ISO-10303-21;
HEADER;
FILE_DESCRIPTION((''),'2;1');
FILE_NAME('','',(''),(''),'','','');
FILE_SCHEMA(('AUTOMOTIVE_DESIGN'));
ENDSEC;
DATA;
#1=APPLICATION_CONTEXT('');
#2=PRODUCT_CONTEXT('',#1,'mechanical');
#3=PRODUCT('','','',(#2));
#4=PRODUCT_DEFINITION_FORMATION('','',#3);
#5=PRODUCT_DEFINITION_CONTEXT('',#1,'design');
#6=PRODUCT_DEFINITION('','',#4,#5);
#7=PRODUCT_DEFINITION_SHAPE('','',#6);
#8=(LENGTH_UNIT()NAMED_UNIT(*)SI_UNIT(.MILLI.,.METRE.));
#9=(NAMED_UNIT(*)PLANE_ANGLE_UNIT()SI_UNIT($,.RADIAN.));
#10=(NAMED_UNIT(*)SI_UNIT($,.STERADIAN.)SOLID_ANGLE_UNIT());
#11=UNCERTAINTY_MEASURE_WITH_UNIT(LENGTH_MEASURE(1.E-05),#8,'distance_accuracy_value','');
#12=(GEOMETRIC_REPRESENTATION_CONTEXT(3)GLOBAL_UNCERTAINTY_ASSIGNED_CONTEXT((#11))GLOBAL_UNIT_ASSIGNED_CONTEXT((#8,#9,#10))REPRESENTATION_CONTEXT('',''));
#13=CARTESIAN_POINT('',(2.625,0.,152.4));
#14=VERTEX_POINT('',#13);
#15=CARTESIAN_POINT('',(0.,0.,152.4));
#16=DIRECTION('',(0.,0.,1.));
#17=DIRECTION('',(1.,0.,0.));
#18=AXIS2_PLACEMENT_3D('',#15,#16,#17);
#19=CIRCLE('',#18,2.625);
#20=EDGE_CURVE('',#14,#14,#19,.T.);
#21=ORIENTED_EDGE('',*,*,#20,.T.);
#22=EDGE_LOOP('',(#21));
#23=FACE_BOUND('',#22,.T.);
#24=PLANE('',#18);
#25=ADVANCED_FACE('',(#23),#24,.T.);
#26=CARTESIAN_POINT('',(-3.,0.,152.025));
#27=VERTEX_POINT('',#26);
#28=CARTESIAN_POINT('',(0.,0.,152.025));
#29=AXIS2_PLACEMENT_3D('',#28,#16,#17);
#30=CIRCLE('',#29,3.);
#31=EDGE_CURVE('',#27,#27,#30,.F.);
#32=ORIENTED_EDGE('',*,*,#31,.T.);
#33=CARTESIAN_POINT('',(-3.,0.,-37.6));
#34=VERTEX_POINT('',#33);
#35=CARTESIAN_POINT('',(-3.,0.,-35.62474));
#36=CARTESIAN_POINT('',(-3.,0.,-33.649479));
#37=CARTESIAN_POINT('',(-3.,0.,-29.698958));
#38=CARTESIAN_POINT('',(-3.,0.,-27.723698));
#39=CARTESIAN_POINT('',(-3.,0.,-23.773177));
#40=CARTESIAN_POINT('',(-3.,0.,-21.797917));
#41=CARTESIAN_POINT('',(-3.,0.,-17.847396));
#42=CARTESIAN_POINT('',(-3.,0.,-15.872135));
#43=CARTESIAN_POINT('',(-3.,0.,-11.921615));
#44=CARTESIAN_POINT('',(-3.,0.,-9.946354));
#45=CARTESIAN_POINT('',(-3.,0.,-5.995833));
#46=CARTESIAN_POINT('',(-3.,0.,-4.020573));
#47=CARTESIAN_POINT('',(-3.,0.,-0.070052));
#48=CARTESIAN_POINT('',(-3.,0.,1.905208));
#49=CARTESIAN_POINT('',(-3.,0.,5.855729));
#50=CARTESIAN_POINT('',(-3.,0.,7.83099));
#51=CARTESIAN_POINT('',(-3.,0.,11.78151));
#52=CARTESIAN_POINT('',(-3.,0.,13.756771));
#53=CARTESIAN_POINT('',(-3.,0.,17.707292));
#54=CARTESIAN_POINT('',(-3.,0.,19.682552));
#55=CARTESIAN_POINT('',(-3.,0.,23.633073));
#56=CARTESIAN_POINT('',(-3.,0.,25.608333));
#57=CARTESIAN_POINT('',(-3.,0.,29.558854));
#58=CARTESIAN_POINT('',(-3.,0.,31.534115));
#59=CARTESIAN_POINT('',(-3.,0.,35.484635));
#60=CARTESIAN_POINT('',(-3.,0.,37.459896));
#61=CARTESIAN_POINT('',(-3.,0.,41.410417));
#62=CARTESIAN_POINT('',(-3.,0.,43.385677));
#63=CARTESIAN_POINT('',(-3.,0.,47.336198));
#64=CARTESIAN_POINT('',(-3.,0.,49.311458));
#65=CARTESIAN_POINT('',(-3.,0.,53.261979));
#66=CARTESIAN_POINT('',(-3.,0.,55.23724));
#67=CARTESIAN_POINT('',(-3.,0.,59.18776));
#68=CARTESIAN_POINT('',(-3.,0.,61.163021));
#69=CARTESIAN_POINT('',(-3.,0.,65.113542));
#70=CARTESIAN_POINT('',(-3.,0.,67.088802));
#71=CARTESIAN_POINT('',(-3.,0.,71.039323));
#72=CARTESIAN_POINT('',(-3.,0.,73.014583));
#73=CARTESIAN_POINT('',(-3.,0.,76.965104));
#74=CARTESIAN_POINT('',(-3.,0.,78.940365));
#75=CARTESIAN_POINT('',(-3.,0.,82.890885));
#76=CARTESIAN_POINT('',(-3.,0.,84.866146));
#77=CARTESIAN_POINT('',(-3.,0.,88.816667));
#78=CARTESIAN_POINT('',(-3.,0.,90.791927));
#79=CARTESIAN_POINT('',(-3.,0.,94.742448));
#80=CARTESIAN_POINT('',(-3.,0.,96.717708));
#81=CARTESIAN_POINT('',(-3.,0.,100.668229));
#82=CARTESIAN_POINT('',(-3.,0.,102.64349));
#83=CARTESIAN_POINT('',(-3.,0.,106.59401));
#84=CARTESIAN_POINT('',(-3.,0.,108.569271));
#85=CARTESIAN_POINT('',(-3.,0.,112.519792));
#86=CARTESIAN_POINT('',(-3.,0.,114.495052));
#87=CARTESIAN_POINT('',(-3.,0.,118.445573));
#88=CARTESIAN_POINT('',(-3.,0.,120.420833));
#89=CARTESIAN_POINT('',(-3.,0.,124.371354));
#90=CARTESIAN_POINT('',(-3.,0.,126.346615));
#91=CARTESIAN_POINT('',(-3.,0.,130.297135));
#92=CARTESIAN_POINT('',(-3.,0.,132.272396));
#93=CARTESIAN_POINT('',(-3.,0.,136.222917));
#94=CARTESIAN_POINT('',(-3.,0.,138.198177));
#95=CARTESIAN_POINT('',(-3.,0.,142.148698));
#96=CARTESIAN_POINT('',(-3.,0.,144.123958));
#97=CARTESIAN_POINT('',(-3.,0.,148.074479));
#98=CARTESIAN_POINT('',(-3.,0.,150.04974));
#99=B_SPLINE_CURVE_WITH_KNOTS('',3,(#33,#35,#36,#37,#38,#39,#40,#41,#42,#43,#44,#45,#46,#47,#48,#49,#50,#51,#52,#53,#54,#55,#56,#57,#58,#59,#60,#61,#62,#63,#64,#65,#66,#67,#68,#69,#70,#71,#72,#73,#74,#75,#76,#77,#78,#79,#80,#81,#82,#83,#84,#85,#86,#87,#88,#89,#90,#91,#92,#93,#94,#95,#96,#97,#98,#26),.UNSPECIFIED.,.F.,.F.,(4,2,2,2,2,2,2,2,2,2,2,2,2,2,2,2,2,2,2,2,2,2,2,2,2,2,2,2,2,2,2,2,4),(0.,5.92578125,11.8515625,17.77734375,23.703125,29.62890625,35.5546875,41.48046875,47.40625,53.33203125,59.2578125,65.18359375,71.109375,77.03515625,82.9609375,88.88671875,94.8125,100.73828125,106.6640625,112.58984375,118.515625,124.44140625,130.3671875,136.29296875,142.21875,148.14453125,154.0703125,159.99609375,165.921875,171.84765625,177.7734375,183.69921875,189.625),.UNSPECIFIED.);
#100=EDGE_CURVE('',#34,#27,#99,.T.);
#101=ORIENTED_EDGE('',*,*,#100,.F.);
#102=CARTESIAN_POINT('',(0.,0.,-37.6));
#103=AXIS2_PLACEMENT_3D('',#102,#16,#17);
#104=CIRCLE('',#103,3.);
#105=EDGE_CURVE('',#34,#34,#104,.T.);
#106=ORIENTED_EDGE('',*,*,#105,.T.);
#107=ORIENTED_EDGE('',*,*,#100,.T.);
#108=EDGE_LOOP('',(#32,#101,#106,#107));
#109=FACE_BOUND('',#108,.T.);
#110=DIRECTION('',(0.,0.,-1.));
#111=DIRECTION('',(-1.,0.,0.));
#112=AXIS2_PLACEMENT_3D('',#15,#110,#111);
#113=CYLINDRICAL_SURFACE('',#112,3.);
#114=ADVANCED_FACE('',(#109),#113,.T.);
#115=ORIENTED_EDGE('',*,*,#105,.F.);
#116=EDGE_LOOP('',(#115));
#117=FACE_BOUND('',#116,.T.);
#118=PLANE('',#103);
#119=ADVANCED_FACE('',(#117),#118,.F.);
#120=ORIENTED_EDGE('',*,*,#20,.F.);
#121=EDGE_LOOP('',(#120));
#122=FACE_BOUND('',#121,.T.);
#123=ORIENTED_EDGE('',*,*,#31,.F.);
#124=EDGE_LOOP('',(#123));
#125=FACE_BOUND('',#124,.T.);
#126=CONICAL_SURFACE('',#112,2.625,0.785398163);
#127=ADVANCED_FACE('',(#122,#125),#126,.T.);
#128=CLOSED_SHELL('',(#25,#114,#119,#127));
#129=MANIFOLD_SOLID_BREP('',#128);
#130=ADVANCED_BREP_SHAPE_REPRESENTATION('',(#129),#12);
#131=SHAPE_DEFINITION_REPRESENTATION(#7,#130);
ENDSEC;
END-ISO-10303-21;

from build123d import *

# Parameters (mm, degrees)
SKETCH3_R           = 3
BOSS_EXTRUDE1_DEPTH = 152.4
CHAMFER1_SIZE       = 0.375
SKETCH4_R           = 3
CUT_EXTRUDE1_DEPTH  = 191.047362518


with BuildPart() as part:
    # Sketch3 → Boss-Extrude1 (new, symmetric)
    with BuildSketch(Plane.XY):
        with Locations(Location((0, 0, 0), (0, 0, 180))):
            Circle(SKETCH3_R)
    extrude(amount=BOSS_EXTRUDE1_DEPTH, both=True)

    # Chamfer1
    chamfer1_edges = [part.edges().sort_by_distance(p)[0] for p in [
        (3, 0, -152.4),
        (3, 0, 152.4),
    ]]
    chamfer(chamfer1_edges, length=CHAMFER1_SIZE)

    # Sketch4 → Cut-Extrude1 (cut, through all)
    with BuildSketch(Plane.XY.offset(-37.6)):
        with Locations(Location((0, 0, 0), (0, 0, 180))):
            Circle(SKETCH4_R)
    extrude(amount=-CUT_EXTRUDE1_DEPTH, mode=Mode.SUBTRACT)


solid = part.part
